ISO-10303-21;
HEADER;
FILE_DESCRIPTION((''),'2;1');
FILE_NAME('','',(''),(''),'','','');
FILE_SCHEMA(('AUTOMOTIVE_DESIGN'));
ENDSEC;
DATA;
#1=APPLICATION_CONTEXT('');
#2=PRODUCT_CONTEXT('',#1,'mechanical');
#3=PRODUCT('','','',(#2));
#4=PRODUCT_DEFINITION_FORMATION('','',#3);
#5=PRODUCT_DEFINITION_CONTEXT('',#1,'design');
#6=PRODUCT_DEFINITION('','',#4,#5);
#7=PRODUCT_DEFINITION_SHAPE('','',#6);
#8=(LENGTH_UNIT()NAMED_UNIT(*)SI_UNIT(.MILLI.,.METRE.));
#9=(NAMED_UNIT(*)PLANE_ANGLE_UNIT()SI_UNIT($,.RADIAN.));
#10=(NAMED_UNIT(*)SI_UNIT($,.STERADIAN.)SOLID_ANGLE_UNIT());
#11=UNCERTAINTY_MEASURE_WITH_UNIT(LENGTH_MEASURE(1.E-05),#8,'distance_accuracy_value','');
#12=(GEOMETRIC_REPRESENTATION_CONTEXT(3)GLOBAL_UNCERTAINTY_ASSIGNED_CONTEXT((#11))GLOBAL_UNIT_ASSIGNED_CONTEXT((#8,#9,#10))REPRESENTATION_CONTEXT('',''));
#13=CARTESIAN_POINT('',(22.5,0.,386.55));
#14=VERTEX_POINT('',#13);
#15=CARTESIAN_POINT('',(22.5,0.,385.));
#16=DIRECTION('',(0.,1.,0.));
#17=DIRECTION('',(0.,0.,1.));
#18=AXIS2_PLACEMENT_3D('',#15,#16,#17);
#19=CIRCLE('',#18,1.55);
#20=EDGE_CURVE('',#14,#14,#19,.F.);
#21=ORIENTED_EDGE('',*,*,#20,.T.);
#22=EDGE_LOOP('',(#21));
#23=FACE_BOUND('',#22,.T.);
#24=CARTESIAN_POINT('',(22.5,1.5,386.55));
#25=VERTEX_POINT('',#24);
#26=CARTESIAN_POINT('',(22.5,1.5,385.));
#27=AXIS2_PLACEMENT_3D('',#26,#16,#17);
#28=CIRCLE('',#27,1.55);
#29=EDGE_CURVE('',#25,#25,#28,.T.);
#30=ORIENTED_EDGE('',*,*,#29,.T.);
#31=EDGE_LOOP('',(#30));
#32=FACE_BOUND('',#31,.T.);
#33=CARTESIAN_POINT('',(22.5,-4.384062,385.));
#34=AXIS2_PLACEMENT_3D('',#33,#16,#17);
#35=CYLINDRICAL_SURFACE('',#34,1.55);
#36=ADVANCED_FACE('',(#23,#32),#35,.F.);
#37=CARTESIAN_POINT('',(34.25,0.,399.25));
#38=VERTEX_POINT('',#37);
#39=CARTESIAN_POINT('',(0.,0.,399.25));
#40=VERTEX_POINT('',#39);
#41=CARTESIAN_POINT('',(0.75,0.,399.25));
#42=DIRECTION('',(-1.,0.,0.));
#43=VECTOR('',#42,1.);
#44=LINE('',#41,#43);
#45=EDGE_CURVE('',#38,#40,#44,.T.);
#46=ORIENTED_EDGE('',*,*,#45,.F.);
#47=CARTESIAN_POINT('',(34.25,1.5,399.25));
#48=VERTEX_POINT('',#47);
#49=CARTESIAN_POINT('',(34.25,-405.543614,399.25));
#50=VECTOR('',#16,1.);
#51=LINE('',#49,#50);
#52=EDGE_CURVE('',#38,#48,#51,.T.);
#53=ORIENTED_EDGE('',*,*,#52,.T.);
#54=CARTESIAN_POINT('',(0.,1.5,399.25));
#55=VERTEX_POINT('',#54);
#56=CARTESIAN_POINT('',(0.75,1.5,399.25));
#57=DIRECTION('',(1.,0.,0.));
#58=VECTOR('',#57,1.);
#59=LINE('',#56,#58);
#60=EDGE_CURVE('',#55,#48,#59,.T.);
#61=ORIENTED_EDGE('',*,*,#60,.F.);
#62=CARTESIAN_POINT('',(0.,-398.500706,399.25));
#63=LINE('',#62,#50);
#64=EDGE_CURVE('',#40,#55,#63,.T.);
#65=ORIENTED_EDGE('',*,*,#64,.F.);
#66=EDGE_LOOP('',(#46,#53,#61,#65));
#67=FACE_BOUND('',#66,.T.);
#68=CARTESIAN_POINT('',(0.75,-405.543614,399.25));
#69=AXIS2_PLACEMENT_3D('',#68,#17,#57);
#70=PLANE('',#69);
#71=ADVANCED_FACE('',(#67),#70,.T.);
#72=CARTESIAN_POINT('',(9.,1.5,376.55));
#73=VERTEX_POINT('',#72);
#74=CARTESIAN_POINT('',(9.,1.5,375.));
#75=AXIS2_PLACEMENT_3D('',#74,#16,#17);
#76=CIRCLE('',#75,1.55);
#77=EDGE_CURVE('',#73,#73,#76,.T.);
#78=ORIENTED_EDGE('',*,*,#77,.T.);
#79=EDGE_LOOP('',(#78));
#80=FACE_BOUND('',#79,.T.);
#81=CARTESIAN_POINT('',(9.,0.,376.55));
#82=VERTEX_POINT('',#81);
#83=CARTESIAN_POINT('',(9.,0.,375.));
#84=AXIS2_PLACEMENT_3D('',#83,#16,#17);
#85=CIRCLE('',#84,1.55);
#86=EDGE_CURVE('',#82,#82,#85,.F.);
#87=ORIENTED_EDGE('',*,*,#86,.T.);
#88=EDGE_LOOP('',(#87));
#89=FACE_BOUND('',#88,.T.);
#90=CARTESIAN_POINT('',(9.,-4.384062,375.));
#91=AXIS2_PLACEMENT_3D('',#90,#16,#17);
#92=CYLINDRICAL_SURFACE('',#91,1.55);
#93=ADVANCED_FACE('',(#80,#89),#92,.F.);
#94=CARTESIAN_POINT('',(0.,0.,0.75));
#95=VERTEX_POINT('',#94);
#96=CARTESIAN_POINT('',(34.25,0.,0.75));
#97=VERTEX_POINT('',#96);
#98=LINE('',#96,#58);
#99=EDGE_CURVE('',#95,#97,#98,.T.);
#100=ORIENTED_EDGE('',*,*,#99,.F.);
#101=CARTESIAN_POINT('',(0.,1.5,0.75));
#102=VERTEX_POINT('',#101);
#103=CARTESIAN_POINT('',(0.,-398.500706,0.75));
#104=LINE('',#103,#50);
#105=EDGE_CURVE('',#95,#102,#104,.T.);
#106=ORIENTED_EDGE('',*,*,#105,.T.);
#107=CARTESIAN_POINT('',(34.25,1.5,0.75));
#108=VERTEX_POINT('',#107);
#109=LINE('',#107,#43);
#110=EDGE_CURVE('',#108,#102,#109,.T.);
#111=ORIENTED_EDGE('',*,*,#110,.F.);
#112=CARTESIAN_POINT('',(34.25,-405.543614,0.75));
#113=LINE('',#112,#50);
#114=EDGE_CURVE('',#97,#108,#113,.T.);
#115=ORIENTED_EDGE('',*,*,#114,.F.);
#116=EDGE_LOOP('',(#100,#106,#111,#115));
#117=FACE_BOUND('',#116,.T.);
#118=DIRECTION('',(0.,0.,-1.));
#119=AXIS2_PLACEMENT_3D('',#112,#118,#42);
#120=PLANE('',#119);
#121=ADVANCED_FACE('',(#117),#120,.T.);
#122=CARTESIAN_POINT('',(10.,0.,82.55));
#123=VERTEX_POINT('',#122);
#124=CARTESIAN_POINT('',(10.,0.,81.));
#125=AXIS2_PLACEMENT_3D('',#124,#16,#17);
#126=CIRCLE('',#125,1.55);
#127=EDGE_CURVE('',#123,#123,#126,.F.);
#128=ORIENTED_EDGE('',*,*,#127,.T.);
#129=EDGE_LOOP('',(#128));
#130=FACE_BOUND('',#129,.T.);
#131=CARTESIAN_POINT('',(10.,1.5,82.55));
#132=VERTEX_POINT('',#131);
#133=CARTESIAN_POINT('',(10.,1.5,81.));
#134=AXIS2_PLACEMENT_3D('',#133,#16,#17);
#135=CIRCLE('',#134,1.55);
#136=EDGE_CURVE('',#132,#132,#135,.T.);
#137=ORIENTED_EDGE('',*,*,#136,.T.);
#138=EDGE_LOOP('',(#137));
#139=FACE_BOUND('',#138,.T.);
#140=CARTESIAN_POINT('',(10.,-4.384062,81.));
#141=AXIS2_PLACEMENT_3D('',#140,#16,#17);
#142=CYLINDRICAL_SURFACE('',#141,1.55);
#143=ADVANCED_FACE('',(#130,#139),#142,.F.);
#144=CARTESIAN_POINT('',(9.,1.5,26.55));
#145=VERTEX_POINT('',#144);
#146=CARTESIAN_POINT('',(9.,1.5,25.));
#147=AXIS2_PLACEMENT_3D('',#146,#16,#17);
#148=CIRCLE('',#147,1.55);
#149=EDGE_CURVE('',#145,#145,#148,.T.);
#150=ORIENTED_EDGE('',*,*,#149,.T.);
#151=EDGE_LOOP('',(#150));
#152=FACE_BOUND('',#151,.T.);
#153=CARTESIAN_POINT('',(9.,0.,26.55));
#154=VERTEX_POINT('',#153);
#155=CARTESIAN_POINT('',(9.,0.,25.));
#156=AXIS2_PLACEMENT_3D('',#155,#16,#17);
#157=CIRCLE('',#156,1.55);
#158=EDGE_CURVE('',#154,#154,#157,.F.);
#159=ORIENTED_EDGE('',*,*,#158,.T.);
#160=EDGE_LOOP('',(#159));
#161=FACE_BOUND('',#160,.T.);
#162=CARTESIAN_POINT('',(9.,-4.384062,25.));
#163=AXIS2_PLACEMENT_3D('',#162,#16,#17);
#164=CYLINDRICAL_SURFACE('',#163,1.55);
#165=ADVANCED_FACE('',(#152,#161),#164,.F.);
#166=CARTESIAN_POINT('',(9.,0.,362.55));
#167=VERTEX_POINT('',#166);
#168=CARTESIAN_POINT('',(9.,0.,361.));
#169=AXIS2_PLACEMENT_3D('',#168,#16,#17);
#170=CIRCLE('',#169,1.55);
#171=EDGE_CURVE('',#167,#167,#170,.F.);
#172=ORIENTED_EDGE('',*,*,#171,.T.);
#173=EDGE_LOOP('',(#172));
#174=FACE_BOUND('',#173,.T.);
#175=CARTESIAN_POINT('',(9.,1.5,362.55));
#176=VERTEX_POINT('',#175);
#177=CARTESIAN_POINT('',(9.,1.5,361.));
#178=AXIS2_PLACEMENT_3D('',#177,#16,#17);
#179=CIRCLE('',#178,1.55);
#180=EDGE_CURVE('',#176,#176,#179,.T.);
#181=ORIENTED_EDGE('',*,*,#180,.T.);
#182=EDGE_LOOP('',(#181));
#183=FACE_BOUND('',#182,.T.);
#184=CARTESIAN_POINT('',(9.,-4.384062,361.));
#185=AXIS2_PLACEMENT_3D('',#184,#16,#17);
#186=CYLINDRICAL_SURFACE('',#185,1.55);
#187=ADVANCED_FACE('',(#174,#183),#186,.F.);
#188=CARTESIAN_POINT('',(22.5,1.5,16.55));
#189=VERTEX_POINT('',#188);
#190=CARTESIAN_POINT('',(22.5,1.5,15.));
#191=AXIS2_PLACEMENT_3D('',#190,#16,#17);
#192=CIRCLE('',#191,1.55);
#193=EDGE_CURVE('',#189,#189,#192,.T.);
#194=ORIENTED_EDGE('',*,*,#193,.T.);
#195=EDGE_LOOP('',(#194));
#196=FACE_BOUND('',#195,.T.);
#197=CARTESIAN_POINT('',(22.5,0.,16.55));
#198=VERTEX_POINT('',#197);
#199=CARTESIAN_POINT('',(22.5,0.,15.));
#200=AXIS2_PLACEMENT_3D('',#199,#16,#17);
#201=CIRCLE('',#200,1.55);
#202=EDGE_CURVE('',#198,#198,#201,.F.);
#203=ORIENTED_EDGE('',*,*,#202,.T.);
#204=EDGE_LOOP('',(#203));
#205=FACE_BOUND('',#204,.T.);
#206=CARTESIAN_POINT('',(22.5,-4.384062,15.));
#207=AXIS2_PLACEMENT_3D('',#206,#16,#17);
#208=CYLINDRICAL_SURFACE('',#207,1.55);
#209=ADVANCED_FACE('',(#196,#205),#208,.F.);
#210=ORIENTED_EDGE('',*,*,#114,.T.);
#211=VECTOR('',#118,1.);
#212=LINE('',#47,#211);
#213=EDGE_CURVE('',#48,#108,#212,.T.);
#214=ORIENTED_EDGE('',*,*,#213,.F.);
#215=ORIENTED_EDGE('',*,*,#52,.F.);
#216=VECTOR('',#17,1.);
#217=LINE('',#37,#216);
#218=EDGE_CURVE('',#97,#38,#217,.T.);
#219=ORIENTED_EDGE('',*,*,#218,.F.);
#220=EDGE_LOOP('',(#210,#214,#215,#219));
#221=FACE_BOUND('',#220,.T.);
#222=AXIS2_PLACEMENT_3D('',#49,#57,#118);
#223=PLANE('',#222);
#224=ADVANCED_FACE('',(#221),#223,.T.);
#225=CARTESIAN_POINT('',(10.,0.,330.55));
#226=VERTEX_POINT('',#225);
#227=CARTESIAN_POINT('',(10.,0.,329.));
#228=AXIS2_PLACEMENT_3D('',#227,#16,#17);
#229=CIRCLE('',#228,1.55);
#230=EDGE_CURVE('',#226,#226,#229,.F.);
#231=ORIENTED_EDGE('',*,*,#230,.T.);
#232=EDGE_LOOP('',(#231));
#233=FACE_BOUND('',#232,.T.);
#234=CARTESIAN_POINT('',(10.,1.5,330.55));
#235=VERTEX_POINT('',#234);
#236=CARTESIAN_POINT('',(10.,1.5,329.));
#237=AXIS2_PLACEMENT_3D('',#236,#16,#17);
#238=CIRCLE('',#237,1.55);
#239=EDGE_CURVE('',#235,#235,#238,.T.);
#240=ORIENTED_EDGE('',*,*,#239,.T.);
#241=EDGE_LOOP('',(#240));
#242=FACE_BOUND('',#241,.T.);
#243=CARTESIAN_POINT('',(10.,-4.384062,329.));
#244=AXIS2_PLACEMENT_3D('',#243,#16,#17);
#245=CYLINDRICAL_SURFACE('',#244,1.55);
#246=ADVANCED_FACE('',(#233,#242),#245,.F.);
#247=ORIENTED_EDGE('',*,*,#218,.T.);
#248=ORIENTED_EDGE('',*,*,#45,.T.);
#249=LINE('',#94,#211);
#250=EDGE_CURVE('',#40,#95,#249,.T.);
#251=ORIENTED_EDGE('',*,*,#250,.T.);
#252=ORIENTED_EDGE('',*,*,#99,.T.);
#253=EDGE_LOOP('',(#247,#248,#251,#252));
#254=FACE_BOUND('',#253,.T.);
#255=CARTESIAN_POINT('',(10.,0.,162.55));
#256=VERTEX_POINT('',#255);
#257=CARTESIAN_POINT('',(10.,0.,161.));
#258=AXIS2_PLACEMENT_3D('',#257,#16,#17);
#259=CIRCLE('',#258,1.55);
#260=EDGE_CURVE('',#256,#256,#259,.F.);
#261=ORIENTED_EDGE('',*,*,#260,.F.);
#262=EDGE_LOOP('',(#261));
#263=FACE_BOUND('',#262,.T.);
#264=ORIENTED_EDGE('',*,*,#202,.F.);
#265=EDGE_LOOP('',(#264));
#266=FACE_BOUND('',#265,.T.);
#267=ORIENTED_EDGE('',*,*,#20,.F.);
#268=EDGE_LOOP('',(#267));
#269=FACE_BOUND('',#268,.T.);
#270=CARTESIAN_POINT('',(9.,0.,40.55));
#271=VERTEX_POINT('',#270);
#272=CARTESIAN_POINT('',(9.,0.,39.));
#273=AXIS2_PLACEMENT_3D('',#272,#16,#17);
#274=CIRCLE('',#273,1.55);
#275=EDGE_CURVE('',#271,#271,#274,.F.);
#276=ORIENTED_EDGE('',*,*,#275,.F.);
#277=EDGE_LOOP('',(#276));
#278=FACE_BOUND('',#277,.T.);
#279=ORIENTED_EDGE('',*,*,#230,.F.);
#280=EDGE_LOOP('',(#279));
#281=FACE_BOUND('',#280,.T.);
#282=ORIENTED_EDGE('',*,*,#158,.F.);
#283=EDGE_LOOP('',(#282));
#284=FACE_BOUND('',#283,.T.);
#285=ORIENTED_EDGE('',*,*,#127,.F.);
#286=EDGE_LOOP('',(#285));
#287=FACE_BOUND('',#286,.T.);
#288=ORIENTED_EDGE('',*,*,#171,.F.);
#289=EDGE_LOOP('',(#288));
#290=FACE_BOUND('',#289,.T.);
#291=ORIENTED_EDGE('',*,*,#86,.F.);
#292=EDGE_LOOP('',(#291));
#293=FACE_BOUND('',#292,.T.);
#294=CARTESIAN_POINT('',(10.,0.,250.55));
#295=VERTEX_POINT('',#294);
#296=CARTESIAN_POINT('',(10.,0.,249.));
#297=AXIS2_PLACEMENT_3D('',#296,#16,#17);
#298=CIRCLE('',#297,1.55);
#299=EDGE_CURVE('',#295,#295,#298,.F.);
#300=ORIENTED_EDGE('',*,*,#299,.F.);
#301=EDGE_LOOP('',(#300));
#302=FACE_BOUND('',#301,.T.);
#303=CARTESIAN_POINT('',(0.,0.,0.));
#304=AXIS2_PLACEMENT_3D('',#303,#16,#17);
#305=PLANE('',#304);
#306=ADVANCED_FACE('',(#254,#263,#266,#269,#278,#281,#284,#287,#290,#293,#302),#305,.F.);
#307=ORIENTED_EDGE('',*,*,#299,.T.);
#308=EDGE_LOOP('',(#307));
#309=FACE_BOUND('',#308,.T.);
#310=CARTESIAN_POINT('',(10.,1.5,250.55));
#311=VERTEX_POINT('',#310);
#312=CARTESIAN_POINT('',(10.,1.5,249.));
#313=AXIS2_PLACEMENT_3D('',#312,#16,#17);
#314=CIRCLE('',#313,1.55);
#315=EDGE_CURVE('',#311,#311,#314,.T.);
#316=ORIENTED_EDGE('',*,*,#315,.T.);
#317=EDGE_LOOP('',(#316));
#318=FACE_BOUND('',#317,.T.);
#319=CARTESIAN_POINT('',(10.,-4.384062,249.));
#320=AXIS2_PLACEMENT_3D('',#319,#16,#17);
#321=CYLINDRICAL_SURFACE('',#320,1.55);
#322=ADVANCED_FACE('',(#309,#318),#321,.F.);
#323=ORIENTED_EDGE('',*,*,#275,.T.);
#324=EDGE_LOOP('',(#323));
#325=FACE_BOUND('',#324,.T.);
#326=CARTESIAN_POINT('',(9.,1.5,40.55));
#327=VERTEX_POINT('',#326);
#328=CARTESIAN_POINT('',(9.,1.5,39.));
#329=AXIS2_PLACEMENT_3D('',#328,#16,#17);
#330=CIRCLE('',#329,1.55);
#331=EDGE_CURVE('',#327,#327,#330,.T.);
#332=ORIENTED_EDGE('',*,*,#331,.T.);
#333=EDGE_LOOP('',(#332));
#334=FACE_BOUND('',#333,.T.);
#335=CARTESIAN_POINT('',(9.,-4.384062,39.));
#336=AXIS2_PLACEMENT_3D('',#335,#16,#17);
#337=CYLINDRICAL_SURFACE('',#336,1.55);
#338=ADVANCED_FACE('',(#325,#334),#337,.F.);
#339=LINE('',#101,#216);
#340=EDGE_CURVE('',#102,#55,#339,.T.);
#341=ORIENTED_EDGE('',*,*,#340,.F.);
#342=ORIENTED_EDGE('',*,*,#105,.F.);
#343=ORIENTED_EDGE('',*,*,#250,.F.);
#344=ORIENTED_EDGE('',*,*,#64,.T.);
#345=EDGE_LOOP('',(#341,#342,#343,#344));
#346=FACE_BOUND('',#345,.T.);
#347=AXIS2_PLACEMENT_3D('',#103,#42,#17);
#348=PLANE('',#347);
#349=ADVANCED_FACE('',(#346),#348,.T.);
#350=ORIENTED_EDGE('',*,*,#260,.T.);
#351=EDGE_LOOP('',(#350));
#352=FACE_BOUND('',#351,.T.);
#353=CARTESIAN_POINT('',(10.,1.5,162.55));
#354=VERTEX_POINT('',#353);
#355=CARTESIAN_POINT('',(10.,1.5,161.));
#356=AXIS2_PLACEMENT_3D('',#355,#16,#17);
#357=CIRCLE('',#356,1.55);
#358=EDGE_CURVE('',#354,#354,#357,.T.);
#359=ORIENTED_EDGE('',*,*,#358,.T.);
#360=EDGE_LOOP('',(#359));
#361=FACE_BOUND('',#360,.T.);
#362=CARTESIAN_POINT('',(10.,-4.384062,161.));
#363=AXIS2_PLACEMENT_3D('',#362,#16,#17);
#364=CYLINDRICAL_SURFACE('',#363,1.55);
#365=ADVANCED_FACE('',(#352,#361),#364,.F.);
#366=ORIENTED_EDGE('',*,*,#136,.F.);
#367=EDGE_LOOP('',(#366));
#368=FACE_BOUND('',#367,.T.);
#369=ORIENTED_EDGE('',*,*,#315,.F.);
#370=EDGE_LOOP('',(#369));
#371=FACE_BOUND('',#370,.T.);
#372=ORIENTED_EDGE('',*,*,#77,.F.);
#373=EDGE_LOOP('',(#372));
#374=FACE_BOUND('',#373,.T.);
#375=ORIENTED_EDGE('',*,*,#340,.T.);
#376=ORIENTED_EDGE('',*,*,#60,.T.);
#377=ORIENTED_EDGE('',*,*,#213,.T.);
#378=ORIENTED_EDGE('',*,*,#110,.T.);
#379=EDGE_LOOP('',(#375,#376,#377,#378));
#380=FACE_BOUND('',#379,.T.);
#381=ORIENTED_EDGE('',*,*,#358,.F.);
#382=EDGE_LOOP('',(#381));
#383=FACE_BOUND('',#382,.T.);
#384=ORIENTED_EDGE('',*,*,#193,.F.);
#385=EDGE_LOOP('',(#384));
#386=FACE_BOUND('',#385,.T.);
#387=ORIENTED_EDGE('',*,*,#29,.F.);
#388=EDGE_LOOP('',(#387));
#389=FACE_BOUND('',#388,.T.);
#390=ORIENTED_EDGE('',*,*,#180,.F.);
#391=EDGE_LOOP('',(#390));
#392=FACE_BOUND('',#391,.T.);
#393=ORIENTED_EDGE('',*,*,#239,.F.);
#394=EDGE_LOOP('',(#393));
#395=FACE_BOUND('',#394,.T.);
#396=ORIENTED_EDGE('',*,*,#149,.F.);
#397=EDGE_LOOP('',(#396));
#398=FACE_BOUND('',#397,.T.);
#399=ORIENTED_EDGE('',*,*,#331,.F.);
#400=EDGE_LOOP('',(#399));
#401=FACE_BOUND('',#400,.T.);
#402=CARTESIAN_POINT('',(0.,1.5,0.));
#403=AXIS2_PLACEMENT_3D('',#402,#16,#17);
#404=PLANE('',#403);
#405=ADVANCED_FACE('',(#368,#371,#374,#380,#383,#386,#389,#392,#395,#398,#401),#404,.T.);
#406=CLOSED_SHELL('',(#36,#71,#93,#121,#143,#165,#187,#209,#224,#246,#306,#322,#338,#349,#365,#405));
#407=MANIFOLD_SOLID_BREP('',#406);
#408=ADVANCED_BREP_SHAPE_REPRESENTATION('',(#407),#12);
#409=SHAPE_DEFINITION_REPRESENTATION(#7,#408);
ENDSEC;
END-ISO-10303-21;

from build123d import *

# Parameters (mm, degrees)
CROQUIS1_W              = 35
CROQUIS1_H              = 400
SALIENTE_EXTRUIR1_DEPTH = 1.5
CROQUIS2_R              = 1.55
CORTAR_EXTRUIR1_DEPTH   = 1.5
CROQUIS3_R              = 1.55
CORTAR_EXTRUIR2_DEPTH   = 1.5
CROQUIS5_R              = 1.55
CORTAR_EXTRUIR3_DEPTH   = 1.5
CROQUIS6_OUTSIDE_W      = 117.306
CROQUIS6_OUTSIDE_H      = 482.306
CROQUIS6_OUTSIDE_W_2    = 33.5
CROQUIS6_OUTSIDE_H_2    = 398.5
CORTAR_EXTRUIR4_DEPTH   = 1.5
CROQUIS7_W              = 0.75
CROQUIS7_H              = 398.5
SALIENTE_EXTRUIR2_DEPTH = 1.5


with BuildPart() as part:
    # Croquis1 → Saliente-Extruir1 (new body)
    with BuildSketch(Plane(origin=(0, 0, 0), x_dir=(1, 0, 0), z_dir=(0, 1, 0))):
        with Locations((17.5, -200)):
            Rectangle(CROQUIS1_W, CROQUIS1_H)
    extrude(amount=SALIENTE_EXTRUIR1_DEPTH)

    # Croquis2 → Cortar-Extruir1 (cut)
    with BuildSketch(Plane(origin=(0, 1.5, 0), x_dir=(1, 0, 0), z_dir=(0, 1, 0))):
        with Locations(Location((22.5, -15, 0), (0, 0, 270))):
            Circle(CROQUIS2_R)
        with Locations(Location((22.5, -385, 0), (0, 0, 270))):
            Circle(CROQUIS2_R)
    extrude(amount=-CORTAR_EXTRUIR1_DEPTH, mode=Mode.SUBTRACT)

    # Croquis3 → Cortar-Extruir2 (cut)
    with BuildSketch(Plane(origin=(0, 1.5, 0), x_dir=(1, 0, 0), z_dir=(0, 1, 0))):
        with Locations(Location((9, -25, 0), (0, 0, 270))):
            Circle(CROQUIS3_R)
        with Locations(Location((9, -39, 0), (0, 0, 270))):
            Circle(CROQUIS3_R)
        with Locations(Location((9, -375, 0), (0, 0, 270))):
            Circle(CROQUIS3_R)
        with Locations(Location((9, -361, 0), (0, 0, 270))):
            Circle(CROQUIS3_R)
    extrude(amount=-CORTAR_EXTRUIR2_DEPTH, mode=Mode.SUBTRACT)

    # Croquis5 → Cortar-Extruir3 (cut)
    with BuildSketch(Plane(origin=(0, 1.5, 0), x_dir=(1, 0, 0), z_dir=(0, 1, 0))):
        with Locations(Location((10, -81, 0), (0, 0, 270))):
            Circle(CROQUIS5_R)
        with Locations(Location((10, -161, 0), (0, 0, 270))):
            Circle(CROQUIS5_R)
        with Locations(Location((10, -249, 0), (0, 0, 270))):
            Circle(CROQUIS5_R)
        with Locations(Location((10, -329, 0), (0, 0, 270))):
            Circle(CROQUIS5_R)
    extrude(amount=-CORTAR_EXTRUIR3_DEPTH, mode=Mode.SUBTRACT)

    # Croquis6 outside → Cortar-Extruir4 (cut)
    with BuildSketch(Plane(origin=(0, 1.5, 0), x_dir=(1, 0, 0), z_dir=(0, 1, 0))):
        with Locations((17.5, -200)):
            Rectangle(CROQUIS6_OUTSIDE_W, CROQUIS6_OUTSIDE_H)
        with Locations((17.5, -200)):
            Rectangle(CROQUIS6_OUTSIDE_W_2, CROQUIS6_OUTSIDE_H_2, mode=Mode.SUBTRACT)
    extrude(amount=-CORTAR_EXTRUIR4_DEPTH, mode=Mode.SUBTRACT)

    # Croquis7 → Saliente-Extruir2 (add)
    with BuildSketch(Plane(origin=(0, 1.5, 0), x_dir=(1, 0, 0), z_dir=(0, 1, 0))):
        with Locations((0.375, -200)):
            Rectangle(CROQUIS7_W, CROQUIS7_H)
    extrude(amount=-SALIENTE_EXTRUIR2_DEPTH)


solid = part.part
